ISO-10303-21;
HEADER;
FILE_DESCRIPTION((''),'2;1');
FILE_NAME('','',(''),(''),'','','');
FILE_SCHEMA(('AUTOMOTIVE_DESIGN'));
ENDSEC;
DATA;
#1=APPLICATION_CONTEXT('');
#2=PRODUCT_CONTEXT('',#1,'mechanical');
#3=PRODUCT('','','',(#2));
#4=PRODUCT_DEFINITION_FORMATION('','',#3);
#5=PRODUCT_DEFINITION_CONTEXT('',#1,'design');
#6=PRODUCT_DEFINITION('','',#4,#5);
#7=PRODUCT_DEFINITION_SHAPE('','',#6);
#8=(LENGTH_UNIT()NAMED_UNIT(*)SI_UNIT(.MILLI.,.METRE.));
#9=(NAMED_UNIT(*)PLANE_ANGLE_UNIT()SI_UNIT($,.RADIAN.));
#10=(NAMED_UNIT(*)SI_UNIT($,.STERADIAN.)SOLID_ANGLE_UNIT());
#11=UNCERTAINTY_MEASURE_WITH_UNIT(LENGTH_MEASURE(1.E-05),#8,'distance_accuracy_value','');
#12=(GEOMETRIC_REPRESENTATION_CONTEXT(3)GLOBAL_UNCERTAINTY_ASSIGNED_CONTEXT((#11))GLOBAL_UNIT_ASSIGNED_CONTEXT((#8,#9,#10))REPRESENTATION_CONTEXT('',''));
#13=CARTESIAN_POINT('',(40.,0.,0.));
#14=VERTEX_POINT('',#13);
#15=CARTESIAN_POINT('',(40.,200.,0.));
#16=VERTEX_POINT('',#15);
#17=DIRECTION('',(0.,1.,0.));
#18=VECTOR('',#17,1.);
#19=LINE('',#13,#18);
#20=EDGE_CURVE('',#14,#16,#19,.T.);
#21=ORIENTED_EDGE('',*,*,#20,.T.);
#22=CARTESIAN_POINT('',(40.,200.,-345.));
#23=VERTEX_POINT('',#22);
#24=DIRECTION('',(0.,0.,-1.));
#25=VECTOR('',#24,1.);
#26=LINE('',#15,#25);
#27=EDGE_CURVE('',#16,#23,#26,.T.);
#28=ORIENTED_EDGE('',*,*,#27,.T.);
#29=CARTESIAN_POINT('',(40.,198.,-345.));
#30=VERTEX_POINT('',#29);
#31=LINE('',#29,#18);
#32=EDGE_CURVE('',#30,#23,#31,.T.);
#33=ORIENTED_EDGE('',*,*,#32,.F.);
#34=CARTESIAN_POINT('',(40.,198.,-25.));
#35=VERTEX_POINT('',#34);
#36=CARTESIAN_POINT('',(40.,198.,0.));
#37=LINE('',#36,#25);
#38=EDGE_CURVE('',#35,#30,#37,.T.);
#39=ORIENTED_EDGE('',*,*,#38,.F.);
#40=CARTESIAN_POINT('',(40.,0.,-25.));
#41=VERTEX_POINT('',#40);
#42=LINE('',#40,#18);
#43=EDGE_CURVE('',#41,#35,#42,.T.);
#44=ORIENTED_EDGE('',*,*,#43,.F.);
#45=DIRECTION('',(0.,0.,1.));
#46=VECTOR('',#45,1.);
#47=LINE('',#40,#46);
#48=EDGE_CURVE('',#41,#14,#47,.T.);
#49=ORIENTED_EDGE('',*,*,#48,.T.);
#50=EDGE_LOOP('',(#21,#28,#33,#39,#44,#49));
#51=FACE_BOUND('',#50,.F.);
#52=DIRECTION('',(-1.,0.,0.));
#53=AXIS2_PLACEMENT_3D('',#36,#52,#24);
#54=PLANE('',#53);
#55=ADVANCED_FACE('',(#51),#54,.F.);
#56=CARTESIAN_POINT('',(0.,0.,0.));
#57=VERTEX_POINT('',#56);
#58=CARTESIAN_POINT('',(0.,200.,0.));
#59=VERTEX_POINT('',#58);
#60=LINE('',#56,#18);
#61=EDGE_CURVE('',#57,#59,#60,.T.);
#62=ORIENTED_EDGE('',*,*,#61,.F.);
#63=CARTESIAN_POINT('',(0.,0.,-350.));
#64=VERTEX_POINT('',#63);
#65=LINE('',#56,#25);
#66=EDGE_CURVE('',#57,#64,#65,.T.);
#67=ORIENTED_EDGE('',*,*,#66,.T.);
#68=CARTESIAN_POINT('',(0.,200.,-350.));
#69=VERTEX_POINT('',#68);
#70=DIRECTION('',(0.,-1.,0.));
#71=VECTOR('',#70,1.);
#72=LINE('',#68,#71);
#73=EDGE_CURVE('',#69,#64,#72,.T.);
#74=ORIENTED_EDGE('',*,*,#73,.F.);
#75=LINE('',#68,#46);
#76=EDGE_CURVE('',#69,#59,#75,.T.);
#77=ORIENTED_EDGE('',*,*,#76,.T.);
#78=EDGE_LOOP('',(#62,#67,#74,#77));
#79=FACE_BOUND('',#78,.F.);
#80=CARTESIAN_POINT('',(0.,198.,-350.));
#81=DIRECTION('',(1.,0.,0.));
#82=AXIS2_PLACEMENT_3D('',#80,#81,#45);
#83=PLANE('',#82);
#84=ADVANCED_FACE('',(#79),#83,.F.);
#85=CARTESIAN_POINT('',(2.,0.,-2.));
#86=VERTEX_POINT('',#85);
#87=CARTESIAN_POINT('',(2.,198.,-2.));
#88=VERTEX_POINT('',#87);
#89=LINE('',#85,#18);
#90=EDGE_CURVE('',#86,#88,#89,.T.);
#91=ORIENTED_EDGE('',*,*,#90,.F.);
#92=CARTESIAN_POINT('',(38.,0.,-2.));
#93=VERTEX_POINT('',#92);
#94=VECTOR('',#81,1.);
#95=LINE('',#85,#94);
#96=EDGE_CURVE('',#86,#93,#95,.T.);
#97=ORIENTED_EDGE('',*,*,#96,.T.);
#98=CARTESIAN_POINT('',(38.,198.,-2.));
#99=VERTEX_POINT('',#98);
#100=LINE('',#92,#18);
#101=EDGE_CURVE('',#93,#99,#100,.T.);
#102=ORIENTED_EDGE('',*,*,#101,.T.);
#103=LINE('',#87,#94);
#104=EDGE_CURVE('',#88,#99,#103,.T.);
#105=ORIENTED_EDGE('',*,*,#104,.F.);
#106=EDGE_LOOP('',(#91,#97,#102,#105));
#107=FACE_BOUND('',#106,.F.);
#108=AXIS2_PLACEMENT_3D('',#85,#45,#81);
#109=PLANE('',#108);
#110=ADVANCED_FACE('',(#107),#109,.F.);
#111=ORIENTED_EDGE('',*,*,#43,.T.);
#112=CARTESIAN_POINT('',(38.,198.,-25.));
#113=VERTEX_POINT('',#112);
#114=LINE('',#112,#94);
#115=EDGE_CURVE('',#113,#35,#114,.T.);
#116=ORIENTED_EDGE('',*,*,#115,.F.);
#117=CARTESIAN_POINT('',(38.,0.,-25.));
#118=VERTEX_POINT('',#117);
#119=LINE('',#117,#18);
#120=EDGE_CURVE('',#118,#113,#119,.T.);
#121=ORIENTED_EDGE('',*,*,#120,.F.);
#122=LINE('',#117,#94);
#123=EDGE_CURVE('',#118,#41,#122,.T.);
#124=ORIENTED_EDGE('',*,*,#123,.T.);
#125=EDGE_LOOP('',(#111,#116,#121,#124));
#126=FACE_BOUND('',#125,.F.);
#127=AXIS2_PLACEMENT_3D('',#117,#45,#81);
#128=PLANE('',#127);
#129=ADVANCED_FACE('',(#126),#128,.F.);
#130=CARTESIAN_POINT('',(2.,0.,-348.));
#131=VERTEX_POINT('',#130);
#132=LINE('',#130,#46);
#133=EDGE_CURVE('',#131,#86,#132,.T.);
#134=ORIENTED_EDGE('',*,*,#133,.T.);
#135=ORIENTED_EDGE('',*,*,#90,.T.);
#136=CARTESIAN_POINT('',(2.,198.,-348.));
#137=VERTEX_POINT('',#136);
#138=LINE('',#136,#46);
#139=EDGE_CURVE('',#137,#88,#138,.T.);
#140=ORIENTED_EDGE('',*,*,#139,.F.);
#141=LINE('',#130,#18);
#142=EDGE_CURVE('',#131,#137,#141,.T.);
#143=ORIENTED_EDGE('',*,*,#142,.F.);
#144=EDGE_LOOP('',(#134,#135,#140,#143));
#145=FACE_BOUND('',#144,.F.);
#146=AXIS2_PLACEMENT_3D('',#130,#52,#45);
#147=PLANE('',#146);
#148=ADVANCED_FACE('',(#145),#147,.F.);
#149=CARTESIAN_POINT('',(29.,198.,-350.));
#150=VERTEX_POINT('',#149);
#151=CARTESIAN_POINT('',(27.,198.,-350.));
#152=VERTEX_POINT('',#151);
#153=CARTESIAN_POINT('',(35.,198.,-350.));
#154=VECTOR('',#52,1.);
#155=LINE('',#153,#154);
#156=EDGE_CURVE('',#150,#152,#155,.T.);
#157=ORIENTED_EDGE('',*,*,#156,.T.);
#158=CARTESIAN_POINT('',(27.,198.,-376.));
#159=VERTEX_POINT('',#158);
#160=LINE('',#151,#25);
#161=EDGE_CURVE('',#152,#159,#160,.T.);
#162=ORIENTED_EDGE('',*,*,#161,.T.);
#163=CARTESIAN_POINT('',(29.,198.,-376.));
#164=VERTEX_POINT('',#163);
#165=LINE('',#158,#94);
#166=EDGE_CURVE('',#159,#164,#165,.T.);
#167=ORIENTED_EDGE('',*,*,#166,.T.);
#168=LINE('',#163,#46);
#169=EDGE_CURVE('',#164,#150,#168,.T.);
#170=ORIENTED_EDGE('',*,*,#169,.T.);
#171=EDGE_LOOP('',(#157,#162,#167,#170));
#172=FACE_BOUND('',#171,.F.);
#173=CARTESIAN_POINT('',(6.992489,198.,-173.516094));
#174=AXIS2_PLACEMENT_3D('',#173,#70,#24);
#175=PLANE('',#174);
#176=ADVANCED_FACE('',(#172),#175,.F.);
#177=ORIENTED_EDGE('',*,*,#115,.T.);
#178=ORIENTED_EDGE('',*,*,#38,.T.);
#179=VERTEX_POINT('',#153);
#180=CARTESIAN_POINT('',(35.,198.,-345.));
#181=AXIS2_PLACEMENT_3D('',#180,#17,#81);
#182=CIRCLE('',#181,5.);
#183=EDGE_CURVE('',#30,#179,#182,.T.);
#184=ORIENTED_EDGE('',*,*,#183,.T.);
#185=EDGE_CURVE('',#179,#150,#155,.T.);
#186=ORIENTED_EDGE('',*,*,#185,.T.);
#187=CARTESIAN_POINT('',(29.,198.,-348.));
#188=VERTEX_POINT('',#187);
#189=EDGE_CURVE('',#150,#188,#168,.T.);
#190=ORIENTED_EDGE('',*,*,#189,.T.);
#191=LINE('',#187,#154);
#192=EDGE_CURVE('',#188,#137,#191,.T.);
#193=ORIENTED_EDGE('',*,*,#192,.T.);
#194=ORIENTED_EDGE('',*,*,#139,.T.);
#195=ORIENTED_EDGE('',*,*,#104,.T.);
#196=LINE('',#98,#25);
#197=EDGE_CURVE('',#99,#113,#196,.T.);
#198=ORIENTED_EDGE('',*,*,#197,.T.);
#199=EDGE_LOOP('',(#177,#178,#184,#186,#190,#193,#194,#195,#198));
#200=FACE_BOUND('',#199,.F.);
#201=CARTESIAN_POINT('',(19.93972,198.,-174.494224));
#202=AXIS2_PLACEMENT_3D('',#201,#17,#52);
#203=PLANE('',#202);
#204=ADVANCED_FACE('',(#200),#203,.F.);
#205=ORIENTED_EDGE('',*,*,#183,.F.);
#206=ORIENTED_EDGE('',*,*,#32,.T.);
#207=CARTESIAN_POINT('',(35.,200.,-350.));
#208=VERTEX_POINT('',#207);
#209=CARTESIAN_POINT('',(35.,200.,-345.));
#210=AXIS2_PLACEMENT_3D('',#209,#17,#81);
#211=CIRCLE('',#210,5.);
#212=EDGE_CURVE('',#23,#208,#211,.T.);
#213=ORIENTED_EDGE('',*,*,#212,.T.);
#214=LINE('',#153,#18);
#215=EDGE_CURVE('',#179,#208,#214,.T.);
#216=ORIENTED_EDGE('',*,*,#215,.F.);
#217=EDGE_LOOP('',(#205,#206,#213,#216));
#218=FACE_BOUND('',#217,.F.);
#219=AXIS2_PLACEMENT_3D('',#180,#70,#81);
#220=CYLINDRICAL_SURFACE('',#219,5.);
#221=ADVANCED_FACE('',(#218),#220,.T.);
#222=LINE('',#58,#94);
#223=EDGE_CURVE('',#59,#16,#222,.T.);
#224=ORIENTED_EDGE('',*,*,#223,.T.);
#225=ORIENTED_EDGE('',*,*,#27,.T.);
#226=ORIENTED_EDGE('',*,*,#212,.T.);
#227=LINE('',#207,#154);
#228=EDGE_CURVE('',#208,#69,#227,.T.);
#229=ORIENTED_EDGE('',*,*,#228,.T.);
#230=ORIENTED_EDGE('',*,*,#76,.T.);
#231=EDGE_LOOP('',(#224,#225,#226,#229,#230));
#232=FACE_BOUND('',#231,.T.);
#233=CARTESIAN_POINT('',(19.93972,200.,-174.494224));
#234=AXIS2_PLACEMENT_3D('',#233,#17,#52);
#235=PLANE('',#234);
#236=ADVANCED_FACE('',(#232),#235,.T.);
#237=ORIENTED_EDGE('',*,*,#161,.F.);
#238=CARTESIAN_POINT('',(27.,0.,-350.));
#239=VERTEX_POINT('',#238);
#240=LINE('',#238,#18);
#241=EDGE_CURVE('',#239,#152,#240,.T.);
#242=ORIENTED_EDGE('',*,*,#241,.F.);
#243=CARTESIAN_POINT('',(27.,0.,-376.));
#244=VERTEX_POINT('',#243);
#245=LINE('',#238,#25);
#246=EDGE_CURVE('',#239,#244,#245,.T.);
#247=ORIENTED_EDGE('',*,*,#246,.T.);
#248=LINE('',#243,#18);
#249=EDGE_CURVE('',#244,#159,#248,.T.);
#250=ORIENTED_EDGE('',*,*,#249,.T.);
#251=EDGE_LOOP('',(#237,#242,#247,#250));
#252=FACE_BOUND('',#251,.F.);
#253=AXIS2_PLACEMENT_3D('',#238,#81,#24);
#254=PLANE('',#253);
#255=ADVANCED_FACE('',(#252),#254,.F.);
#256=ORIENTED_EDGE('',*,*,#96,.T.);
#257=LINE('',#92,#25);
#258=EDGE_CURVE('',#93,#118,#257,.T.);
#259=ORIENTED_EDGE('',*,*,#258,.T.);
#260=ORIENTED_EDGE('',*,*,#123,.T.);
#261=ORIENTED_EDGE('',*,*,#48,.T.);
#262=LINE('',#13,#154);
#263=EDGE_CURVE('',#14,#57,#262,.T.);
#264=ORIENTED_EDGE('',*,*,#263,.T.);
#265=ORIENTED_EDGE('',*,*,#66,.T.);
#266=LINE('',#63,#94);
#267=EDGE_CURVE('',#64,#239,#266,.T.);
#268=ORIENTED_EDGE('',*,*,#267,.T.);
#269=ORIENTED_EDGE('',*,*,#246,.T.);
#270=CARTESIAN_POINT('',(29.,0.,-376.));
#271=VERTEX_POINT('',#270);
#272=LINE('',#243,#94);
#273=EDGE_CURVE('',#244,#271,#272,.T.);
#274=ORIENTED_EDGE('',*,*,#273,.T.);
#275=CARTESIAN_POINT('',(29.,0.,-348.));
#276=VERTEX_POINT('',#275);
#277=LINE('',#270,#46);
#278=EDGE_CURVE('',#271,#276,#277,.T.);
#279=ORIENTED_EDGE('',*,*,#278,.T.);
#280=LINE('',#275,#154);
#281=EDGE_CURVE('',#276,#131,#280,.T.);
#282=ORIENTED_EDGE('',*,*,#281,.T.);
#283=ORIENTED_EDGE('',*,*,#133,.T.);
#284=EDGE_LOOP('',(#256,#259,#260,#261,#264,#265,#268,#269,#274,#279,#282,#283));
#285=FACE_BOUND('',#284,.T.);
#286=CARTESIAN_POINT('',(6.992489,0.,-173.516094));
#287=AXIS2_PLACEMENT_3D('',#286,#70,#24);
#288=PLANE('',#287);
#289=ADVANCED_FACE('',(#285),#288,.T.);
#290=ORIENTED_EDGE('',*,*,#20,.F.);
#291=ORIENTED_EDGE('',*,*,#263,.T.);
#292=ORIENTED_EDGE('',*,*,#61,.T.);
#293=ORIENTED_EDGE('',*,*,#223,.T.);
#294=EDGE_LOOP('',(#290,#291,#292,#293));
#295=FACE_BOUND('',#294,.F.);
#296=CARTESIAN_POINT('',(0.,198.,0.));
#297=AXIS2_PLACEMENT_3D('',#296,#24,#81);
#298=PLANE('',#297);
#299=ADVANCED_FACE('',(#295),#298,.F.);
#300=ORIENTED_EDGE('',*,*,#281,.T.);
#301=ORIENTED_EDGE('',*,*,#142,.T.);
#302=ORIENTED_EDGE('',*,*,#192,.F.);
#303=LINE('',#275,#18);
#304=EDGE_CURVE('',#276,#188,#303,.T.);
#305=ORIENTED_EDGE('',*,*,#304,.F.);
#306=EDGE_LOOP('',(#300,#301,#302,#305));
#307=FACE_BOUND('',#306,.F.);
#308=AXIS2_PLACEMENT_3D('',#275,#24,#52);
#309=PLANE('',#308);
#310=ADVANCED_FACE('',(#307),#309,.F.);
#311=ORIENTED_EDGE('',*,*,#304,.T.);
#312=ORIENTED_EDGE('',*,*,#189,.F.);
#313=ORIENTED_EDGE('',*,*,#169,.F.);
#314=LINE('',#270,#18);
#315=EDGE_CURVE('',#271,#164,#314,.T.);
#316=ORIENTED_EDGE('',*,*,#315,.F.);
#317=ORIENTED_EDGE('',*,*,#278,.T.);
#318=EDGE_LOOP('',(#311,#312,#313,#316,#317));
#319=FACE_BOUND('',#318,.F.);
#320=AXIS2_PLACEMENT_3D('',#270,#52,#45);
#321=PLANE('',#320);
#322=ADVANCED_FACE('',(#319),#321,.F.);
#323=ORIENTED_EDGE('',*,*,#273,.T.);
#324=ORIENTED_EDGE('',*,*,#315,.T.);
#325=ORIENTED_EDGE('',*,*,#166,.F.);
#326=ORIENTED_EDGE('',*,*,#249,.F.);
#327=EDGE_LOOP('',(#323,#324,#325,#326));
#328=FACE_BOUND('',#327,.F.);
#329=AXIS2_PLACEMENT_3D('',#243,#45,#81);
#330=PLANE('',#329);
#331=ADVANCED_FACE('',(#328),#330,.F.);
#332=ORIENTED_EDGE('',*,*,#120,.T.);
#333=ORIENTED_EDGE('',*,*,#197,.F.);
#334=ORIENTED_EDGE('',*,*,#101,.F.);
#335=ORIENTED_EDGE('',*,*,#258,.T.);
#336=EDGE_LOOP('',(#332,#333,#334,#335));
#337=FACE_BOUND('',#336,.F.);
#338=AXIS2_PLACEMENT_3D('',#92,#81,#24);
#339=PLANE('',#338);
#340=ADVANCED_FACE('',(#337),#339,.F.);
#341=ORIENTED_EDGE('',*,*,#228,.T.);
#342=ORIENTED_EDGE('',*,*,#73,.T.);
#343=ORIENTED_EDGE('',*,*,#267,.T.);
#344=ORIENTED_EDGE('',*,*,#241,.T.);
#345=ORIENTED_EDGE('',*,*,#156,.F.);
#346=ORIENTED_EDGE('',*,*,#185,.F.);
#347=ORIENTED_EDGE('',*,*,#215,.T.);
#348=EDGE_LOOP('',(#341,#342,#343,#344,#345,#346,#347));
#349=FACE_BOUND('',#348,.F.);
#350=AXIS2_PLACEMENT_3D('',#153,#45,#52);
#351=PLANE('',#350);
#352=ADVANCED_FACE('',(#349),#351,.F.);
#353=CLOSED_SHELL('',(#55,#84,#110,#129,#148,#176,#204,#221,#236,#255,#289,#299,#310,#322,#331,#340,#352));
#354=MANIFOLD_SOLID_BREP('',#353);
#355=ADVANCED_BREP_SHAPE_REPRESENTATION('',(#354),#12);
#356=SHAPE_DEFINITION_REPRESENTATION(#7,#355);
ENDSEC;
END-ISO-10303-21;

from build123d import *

# Parameters (mm, degrees)
F4_DEPTH = 2


with BuildPart() as f2:
    # F2: sweep along a path in F1
    with BuildLine(Plane.XY) as f2_path:
        Line((0, 0), (0, 198))
    # F0 (on Front) → F2 (sweep)
    with BuildSketch(Plane.XZ):
        Polygon((40, 0), (0, 0), (0, -350), (27, -350), (27, -376), (29, -376), (29, -348), (2, -348), (2, -2), (38, -2), (38, -25), (40, -25), align=None)
    sweep(path=f2_path.line)

    # F3 (on face) → F4 (join)
    with BuildSketch(Plane(origin=(0, 198, 0), x_dir=(-1, 0, 0), z_dir=(0, 1, 0))):
        with BuildLine():
            Line((-27, -350), (0, -350))
            Line((0, -350), (0, 0))
            Line((0, 0), (-40, 0))
            Line((-40, 0), (-40, -25))
            Line((-40, -25), (-40, -345))
            ThreePointArc((-40, -345), (-38.5355339059, -348.5355339059), (-35, -350))
            Line((-35, -350), (-29, -350))
            Line((-29, -350), (-27, -350))
        make_face()
    extrude(amount=F4_DEPTH)


solid = f2.part
